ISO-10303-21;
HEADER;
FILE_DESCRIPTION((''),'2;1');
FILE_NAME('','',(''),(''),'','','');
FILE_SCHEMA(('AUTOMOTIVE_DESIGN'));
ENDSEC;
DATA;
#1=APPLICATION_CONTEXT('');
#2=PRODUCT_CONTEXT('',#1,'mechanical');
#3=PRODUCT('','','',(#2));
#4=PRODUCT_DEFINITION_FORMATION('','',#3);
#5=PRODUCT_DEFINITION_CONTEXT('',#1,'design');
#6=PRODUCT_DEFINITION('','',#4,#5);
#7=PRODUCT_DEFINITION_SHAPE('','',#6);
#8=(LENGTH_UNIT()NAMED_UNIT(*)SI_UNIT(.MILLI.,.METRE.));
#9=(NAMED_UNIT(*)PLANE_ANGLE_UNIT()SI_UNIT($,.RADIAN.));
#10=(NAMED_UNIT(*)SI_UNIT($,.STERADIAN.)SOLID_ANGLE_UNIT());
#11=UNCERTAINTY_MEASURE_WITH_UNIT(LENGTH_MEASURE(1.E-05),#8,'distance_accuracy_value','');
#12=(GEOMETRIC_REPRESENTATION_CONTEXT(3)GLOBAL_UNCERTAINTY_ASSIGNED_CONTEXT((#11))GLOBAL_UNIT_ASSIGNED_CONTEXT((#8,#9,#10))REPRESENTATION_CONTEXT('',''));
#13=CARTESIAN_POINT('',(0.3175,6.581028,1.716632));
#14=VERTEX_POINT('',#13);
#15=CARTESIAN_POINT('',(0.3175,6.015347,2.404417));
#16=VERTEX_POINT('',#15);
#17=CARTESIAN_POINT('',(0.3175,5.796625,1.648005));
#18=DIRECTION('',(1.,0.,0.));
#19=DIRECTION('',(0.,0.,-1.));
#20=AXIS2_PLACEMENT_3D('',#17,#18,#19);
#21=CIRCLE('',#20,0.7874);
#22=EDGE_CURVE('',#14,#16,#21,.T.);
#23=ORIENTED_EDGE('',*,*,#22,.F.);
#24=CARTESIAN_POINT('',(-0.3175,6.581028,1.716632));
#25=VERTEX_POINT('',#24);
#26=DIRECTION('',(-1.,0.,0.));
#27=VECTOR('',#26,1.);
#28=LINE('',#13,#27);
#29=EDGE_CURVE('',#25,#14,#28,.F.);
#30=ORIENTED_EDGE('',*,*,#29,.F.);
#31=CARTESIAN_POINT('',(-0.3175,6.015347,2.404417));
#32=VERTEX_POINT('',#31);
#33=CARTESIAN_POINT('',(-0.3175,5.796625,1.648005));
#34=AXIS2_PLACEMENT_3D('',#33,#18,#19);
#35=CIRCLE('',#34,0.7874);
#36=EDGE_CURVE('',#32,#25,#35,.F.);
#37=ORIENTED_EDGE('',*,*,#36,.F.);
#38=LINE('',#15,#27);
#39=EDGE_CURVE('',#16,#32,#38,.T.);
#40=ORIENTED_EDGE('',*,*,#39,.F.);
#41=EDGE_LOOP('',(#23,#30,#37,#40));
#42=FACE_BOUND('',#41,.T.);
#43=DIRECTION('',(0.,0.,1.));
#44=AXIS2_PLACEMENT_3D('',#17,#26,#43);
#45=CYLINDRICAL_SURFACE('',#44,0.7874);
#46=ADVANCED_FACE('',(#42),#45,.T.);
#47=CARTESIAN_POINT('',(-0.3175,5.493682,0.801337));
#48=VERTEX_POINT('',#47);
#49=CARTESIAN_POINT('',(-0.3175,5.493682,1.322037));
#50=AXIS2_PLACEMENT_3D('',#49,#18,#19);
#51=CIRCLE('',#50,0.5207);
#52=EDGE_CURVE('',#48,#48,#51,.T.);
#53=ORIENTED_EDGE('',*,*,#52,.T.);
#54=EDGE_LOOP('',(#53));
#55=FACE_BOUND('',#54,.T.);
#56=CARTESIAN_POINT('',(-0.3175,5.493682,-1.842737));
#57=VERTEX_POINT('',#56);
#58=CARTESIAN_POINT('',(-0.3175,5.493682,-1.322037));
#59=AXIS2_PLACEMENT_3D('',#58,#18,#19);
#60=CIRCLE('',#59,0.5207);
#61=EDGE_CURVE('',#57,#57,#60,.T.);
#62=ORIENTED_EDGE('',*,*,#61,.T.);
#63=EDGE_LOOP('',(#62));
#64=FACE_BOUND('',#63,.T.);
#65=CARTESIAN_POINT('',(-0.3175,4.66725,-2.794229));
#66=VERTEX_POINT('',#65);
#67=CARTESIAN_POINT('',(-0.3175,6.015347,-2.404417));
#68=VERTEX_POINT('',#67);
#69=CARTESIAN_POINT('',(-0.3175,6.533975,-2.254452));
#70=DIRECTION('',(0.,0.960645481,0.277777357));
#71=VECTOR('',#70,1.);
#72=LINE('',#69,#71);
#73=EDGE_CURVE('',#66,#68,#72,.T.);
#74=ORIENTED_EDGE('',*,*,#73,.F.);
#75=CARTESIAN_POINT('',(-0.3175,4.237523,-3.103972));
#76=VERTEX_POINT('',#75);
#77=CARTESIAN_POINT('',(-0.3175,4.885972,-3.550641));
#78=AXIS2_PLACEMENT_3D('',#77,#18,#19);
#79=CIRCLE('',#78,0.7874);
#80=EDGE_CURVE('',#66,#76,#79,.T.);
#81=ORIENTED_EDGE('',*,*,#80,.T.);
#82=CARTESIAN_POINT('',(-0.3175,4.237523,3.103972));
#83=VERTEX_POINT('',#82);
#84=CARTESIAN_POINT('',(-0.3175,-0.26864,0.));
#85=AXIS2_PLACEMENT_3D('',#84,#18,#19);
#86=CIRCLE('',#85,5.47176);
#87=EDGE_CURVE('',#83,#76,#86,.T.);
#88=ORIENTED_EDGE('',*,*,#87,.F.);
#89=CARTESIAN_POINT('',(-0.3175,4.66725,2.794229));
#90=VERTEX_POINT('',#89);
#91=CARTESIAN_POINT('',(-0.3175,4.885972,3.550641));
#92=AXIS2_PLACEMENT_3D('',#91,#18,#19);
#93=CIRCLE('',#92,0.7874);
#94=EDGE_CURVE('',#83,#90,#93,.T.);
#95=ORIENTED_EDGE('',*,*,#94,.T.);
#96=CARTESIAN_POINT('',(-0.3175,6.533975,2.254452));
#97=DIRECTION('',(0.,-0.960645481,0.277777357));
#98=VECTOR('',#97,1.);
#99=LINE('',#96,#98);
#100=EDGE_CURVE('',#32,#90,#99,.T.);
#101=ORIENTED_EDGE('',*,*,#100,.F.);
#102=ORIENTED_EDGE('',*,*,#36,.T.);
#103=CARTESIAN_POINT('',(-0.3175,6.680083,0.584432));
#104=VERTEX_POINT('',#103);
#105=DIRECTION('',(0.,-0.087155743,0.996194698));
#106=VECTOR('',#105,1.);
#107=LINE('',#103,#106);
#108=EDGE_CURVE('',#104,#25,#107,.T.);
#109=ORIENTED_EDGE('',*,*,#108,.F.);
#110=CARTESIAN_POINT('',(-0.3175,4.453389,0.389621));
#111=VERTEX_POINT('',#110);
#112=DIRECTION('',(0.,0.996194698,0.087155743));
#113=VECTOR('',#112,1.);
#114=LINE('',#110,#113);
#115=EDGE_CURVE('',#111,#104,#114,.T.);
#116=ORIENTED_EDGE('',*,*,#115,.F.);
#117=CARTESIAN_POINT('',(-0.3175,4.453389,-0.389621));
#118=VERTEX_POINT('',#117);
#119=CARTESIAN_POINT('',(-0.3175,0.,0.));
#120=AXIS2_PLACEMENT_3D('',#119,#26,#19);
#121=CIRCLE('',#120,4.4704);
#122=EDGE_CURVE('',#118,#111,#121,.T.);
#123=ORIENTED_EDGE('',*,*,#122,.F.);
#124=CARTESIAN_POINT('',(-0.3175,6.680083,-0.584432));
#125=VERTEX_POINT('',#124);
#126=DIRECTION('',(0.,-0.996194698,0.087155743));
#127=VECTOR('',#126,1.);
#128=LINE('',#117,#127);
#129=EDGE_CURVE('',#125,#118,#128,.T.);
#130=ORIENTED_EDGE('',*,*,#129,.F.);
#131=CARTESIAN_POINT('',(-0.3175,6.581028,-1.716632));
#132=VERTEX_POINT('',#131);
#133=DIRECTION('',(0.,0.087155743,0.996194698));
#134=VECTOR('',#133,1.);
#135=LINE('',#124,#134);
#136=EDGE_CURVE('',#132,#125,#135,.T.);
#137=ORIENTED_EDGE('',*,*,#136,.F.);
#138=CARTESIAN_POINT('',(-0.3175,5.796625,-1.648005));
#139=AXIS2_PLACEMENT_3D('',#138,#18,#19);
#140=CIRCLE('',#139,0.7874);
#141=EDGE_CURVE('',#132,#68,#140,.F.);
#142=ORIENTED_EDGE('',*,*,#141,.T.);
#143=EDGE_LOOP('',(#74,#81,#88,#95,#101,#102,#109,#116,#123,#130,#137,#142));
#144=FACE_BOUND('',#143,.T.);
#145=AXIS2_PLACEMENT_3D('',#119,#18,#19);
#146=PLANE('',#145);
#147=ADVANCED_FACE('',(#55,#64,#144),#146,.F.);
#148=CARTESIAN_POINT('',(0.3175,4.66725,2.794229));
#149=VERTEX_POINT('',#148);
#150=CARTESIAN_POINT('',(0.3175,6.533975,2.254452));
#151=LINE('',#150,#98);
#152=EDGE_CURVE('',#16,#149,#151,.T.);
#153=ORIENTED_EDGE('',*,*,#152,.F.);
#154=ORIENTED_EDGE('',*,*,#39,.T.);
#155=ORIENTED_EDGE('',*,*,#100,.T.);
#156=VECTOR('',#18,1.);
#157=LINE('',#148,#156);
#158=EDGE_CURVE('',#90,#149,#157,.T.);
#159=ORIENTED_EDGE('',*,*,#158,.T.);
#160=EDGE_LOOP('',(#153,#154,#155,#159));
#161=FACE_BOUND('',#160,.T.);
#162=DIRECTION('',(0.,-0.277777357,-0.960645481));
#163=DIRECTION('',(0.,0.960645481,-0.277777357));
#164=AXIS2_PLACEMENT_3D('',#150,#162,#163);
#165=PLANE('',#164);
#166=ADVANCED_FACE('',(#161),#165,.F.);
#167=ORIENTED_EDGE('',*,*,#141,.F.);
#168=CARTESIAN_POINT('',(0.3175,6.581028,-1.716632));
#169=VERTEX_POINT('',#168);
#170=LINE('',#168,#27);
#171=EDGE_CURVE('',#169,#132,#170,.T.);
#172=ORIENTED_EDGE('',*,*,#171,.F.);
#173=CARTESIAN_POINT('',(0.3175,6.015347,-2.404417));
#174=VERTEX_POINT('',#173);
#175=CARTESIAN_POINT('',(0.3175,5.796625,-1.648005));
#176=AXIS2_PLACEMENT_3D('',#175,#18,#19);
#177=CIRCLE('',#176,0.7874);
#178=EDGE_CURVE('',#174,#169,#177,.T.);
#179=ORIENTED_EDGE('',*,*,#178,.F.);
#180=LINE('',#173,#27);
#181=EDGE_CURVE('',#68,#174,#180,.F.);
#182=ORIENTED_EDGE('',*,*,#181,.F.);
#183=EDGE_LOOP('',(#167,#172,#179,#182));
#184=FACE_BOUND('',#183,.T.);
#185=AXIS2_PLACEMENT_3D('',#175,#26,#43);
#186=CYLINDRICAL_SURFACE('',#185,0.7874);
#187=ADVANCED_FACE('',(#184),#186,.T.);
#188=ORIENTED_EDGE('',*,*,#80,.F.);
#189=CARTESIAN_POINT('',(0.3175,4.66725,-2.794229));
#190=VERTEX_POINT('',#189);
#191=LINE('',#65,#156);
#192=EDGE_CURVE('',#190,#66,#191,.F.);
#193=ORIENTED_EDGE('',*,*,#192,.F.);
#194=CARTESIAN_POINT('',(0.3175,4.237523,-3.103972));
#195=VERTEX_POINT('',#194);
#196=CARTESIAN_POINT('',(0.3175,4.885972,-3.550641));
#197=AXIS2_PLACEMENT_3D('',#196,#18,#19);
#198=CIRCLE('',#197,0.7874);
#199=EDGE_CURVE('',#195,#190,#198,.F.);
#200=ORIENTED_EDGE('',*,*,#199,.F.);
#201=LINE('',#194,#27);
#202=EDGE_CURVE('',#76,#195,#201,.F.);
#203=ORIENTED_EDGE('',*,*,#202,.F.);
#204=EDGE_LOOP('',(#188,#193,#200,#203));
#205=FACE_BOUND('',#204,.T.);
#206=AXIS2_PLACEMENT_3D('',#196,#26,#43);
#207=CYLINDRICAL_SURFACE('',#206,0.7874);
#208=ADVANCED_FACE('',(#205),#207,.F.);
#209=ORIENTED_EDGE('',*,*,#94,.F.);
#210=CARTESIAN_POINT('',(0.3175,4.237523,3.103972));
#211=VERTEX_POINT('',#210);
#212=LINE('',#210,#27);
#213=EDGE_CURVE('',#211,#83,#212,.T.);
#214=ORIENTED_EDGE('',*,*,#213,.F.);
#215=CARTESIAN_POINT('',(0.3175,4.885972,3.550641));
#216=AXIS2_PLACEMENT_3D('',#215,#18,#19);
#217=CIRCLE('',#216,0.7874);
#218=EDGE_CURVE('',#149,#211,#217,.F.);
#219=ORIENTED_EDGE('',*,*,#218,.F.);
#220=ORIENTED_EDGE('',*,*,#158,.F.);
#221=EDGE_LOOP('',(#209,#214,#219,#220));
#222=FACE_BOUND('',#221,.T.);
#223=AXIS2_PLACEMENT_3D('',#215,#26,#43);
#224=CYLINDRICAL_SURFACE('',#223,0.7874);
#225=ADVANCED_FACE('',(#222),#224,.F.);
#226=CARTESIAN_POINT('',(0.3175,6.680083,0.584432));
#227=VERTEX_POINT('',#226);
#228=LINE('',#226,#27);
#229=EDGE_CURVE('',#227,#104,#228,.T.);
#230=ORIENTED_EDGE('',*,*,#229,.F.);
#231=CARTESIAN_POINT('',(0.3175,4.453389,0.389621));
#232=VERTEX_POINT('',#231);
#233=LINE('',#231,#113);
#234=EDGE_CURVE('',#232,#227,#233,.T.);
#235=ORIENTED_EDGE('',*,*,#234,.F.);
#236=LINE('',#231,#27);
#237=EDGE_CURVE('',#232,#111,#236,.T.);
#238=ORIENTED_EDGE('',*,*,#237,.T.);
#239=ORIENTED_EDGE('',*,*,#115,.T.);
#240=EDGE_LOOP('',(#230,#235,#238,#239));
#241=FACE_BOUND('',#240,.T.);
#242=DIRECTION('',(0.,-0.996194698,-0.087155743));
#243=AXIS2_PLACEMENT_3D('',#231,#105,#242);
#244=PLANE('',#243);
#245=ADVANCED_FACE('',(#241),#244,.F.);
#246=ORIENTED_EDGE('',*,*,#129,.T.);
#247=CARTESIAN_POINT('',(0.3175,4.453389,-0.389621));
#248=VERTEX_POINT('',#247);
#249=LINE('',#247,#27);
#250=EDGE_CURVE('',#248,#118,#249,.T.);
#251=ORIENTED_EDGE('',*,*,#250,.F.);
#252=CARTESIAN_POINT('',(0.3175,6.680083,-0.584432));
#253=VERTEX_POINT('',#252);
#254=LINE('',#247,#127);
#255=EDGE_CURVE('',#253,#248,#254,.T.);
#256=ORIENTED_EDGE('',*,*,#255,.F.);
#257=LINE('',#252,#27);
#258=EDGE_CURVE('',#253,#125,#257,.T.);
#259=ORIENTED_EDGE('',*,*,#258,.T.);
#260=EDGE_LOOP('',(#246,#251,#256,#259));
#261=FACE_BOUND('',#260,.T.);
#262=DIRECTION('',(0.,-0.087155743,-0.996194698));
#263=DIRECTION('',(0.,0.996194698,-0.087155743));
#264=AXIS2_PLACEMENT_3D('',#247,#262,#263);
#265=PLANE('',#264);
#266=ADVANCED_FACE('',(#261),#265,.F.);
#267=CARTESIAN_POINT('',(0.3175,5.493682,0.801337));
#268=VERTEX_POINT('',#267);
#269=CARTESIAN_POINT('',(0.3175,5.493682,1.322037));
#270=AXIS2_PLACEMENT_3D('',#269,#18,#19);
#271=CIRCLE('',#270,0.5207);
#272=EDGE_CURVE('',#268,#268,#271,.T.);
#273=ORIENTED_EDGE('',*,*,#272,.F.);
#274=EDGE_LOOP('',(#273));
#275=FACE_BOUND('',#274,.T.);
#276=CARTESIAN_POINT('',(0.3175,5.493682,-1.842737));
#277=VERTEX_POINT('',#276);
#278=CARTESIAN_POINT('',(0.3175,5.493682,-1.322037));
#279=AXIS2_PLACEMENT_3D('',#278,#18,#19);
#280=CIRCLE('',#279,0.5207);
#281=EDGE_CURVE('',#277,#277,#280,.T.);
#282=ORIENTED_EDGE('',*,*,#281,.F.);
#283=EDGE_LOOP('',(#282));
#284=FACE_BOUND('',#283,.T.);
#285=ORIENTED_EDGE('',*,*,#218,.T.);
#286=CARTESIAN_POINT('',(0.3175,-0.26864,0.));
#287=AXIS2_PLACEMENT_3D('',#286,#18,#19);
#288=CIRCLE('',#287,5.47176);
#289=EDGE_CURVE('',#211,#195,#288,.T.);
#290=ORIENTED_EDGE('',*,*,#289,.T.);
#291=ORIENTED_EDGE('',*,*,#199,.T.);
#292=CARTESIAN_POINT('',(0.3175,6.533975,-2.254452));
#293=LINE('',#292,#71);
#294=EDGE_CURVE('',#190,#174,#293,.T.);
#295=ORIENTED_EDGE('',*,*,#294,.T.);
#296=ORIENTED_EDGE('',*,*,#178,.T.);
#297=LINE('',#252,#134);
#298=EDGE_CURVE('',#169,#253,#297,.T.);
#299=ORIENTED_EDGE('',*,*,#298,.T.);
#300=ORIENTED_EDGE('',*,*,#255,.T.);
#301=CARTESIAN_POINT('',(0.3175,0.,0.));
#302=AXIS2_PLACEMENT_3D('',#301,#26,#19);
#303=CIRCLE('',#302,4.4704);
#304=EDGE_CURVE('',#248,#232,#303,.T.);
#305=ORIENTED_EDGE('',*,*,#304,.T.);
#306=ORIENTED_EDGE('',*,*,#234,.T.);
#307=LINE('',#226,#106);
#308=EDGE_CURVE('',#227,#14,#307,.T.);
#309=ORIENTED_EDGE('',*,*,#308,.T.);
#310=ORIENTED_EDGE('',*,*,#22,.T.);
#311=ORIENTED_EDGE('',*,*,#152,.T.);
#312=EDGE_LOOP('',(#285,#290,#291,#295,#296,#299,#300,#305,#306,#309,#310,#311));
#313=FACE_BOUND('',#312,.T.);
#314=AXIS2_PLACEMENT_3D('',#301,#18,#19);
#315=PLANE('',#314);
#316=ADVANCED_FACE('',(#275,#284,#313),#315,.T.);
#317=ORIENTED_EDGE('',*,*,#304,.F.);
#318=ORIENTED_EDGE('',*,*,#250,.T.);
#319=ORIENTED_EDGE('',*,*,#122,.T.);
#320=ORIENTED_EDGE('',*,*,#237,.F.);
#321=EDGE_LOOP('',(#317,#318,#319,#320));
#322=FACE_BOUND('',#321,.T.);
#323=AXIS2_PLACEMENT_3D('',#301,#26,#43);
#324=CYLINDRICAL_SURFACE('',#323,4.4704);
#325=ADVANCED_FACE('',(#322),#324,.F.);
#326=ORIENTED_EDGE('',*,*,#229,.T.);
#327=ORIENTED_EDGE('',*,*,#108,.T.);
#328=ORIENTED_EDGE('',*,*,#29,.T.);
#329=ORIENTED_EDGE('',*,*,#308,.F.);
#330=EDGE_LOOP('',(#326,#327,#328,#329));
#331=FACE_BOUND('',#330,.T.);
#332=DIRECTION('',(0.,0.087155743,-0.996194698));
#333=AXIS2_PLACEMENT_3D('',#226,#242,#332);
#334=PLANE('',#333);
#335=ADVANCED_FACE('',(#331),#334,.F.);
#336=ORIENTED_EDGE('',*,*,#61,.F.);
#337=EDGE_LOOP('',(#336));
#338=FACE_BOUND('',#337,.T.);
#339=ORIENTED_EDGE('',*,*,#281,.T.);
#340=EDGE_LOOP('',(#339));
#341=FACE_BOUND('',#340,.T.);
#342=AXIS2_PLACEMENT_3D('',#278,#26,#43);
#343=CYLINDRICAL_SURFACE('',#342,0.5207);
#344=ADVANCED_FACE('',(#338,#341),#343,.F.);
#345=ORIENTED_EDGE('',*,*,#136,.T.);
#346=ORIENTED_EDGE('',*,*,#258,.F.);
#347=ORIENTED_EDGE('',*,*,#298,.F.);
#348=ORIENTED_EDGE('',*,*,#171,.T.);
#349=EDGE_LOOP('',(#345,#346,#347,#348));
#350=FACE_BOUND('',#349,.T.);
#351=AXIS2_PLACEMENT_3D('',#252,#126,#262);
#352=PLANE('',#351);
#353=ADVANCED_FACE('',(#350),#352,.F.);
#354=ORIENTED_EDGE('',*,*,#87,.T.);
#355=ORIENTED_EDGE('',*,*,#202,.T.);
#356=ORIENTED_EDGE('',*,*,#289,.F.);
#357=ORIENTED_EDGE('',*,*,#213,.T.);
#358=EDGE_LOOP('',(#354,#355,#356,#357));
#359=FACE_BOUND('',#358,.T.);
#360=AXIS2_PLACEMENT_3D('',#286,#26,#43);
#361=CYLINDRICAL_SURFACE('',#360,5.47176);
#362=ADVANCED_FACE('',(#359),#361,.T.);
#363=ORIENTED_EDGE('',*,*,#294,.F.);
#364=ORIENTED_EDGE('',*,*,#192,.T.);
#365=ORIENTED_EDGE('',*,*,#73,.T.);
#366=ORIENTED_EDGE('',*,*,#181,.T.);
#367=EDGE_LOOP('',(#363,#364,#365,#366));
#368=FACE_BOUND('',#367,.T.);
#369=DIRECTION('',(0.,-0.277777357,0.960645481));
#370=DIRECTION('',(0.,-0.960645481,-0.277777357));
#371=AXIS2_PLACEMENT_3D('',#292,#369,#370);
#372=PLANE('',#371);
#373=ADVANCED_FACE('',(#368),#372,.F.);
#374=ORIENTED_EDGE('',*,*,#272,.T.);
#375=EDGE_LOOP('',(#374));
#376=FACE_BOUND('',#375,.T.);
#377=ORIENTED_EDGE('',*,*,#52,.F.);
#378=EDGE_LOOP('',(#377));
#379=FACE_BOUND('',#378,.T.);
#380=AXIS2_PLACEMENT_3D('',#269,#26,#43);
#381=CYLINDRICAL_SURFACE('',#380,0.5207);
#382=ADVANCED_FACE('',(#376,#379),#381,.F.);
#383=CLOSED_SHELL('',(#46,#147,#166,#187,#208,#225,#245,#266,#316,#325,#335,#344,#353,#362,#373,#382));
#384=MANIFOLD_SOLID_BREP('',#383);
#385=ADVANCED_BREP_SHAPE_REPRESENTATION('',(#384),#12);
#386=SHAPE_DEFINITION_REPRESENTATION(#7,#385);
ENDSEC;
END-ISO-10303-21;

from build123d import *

# Parameters (mm, degrees)
SKETCH1_R      = 0.5207
EXTRUDE1_DEPTH = 0.3175
FILLET1_R      = 0.7874


with BuildPart() as part:
    # Sketch1 → Extrude1 (new body, symmetric)
    with BuildSketch(Plane(origin=(0, 0, 0), x_dir=(0, 0, -1), z_dir=(1, 0, 0))):
        with BuildLine():
            Line((-0.389621032, 4.453388778), (-0.584431549, 6.680083168))
            Line((-0.584431549, 6.680083168), (-2.25445234, 6.53397528))
            Line((-2.25445234, 6.53397528), (-2.87534029, 4.386740502))
            ThreePointArc((-2.87534029, 4.386740502), (0, -5.7404), (2.87534029, 4.386740502))
            Line((2.87534029, 4.386740502), (2.25445234, 6.53397528))
            Line((2.25445234, 6.53397528), (0.584431549, 6.680083168))
            Line((0.584431549, 6.680083168), (0.389621032, 4.453388778))
            ThreePointArc((0.389621032, 4.453388778), (0, -4.4704), (-0.389621032, 4.453388778))
        make_face()
        with Locations((-1.322036686, 5.493682029)):
            Circle(SKETCH1_R, mode=Mode.SUBTRACT)
        with Locations((1.322036686, 5.493682029)):
            Circle(SKETCH1_R, mode=Mode.SUBTRACT)
    extrude(amount=EXTRUDE1_DEPTH, both=True)

    # Fillet1
    fillet1_edges = [part.edges().sort_by_distance(p)[0] for p in [
        (0, 6.53397528, -2.25445234),
        (0, 4.386740502, -2.87534029),
        (0, 4.386740502, 2.87534029),
        (0, 6.53397528, 2.25445234),
    ]]
    fillet(fillet1_edges, radius=FILLET1_R)


solid = part.part
